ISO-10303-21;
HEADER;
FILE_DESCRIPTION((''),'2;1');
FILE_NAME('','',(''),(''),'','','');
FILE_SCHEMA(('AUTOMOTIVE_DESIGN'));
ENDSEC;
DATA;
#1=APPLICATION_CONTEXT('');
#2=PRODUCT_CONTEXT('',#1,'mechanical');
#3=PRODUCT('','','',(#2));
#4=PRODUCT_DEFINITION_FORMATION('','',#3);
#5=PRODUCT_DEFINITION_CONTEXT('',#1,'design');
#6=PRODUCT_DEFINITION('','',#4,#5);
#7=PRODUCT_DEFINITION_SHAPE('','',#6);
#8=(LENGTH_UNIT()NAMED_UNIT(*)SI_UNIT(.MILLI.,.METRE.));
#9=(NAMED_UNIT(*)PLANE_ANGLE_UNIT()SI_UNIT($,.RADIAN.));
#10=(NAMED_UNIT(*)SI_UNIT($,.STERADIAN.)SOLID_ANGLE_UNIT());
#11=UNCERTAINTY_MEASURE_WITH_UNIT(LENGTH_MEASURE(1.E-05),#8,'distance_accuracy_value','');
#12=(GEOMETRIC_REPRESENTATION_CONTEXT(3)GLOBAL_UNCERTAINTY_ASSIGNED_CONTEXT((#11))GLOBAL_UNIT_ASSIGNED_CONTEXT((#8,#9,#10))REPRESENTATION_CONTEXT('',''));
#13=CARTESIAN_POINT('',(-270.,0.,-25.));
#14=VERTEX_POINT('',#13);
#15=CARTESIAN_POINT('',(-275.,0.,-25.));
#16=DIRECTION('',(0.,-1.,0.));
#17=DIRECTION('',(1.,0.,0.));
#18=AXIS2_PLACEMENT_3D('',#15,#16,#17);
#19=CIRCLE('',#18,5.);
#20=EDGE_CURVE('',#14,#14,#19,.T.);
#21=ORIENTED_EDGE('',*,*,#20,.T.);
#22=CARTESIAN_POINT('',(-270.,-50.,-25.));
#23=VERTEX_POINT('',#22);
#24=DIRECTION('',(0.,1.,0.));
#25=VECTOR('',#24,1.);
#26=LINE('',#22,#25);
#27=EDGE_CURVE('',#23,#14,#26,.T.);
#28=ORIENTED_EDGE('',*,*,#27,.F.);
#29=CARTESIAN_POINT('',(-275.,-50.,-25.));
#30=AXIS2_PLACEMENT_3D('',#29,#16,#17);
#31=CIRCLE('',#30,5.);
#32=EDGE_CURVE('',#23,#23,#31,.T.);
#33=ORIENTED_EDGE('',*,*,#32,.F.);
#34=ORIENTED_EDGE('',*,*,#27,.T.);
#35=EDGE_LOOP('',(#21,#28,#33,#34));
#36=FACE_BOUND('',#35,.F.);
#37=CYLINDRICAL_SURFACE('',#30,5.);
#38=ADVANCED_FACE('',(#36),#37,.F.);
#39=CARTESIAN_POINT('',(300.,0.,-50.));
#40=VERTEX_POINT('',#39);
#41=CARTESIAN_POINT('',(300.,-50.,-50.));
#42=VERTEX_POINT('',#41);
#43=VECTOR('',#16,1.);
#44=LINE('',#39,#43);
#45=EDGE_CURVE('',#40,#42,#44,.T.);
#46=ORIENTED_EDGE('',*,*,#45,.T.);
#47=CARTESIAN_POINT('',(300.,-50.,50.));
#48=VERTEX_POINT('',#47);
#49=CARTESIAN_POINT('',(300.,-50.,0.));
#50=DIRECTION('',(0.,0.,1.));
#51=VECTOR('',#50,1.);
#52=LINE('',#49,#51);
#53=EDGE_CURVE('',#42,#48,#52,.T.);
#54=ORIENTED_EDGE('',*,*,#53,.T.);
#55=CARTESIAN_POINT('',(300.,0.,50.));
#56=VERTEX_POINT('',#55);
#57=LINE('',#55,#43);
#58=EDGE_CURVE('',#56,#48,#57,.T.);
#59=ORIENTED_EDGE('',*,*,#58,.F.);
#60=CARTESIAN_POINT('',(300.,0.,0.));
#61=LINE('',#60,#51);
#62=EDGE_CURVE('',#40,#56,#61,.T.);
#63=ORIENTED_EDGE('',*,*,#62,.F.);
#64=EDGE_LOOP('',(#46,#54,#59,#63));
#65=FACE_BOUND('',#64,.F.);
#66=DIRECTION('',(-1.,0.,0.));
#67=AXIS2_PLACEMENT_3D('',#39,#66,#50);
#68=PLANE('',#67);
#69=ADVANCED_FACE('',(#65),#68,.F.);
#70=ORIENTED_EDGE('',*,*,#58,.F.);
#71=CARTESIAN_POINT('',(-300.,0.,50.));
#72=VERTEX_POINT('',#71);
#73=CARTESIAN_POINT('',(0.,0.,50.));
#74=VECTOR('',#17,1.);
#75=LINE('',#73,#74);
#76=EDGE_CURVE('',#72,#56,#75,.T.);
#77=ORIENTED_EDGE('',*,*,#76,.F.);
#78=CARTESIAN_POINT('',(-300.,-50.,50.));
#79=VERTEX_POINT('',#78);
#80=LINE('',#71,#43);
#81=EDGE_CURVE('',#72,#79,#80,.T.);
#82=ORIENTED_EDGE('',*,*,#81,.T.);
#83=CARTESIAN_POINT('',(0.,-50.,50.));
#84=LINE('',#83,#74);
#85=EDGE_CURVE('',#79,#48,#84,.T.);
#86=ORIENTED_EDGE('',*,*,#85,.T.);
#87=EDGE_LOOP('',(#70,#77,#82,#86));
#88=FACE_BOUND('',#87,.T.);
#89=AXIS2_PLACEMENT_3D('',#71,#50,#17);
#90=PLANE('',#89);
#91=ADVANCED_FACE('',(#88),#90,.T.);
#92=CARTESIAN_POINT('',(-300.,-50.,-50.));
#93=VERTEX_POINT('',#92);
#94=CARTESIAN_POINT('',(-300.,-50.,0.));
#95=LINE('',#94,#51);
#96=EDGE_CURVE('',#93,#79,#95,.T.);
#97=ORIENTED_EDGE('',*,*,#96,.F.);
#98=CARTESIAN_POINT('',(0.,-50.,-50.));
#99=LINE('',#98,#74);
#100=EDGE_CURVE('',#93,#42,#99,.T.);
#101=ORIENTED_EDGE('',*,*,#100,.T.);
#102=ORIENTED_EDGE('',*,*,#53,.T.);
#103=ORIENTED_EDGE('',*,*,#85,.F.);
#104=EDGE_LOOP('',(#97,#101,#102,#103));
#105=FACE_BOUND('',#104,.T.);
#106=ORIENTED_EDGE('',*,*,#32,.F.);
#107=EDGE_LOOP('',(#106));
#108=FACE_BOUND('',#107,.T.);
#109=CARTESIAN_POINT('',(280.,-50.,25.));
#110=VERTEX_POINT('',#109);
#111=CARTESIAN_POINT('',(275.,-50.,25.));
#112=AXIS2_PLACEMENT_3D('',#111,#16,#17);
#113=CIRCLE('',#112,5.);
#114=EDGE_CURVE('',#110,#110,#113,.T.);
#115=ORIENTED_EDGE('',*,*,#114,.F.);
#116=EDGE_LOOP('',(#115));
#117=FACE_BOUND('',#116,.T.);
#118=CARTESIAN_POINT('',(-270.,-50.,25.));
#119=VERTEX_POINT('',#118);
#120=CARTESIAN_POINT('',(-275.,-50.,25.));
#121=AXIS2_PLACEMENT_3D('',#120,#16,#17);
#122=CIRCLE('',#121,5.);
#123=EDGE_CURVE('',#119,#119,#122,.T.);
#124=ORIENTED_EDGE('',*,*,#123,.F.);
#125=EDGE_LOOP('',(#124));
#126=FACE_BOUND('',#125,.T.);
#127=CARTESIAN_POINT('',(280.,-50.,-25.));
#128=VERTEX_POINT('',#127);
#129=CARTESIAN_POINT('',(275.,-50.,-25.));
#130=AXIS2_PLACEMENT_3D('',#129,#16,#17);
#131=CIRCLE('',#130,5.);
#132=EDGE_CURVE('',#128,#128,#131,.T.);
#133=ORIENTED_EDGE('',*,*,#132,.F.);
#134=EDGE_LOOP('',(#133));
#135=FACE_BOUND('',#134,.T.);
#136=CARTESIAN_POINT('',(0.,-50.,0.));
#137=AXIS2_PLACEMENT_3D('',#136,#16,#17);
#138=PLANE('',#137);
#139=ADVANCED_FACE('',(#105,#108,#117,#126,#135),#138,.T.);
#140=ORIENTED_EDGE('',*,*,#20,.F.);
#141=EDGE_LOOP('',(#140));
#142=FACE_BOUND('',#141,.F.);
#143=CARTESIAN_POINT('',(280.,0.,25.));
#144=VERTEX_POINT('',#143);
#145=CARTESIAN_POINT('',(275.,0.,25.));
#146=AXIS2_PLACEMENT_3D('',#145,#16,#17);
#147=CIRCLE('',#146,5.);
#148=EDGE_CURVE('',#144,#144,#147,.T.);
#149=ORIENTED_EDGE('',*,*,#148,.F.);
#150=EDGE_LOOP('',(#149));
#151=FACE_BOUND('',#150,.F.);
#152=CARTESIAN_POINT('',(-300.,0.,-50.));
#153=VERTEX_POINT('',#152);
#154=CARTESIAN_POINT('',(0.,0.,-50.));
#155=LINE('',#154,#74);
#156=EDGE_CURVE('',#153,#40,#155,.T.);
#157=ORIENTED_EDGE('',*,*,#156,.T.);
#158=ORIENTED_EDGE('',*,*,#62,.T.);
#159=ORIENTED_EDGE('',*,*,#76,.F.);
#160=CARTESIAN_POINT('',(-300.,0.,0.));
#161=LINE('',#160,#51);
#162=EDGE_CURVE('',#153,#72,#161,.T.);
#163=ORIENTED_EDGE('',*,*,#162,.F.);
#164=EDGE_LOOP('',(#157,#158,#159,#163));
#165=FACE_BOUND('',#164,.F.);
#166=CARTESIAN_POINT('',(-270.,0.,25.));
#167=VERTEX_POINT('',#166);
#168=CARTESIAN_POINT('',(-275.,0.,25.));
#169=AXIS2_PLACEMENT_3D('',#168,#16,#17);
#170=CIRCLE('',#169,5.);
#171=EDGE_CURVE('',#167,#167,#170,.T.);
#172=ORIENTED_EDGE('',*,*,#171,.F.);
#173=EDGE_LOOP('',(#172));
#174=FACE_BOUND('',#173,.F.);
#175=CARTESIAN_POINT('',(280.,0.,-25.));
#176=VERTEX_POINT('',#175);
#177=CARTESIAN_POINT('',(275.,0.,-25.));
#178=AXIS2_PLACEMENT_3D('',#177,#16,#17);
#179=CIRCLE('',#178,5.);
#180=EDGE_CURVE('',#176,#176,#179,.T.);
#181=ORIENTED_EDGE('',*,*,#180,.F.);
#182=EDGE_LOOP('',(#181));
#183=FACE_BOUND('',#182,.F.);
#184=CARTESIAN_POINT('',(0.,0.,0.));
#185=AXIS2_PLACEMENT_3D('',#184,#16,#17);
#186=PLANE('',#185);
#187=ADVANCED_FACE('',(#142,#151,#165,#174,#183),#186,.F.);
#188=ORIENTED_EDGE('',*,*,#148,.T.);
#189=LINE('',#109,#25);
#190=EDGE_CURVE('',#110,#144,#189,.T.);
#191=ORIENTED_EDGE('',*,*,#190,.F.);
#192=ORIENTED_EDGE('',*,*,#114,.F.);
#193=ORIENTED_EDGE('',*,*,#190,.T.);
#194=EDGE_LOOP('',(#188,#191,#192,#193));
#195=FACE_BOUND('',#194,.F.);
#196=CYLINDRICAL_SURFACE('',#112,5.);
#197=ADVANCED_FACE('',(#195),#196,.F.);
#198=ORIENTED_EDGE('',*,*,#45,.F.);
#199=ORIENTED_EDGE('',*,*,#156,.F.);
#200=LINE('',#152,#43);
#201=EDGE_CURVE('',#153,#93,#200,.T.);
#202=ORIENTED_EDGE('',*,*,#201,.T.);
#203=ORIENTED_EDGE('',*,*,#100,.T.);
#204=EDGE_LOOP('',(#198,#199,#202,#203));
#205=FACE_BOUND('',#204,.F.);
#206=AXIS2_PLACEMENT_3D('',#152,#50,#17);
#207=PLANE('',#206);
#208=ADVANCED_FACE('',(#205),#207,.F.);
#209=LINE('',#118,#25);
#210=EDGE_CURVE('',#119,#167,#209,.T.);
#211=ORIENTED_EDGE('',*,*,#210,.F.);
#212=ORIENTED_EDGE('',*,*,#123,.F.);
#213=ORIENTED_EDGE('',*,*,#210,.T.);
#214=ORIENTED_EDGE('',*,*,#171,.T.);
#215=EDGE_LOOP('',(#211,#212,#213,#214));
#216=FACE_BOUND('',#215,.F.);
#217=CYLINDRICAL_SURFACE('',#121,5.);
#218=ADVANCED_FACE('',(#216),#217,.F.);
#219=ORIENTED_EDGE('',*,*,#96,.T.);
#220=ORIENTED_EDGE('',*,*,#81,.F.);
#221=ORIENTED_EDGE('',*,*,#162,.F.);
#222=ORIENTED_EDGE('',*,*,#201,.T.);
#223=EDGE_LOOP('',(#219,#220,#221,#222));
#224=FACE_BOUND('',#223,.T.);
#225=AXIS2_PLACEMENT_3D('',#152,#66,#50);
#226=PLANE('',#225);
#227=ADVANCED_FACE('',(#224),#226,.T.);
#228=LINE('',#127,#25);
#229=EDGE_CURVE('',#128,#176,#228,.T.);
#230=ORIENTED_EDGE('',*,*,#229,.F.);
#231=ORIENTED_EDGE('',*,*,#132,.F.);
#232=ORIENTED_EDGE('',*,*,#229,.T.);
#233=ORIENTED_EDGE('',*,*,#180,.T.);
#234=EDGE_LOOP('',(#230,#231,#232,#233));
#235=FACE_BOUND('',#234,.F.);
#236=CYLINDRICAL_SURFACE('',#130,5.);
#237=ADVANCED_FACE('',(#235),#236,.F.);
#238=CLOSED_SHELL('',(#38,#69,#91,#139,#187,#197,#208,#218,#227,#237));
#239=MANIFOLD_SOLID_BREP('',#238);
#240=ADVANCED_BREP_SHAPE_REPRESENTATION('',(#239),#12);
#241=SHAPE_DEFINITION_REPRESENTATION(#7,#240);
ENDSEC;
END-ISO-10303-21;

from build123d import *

# Parameters (mm, degrees)
F0_W     = 600
F0_H     = 100
F1_DEPTH = 50
F2_R     = 5
F3_DEPTH = 50.001


with BuildPart() as f1:
    # F0 (on Front) → F1 (new body)
    with BuildSketch(Plane.XZ):
        Rectangle(F0_W, F0_H)
    extrude(amount=F1_DEPTH)

    # F2 (on face) → F3 (cut, through all)
    with BuildSketch(Plane.XZ.offset(50)):
        with Locations((-275, 25)):
            Circle(F2_R)
        with Locations((-275, -25)):
            Circle(F2_R)
        with Locations((275, 25)):
            Circle(F2_R)
        with Locations((275, -25)):
            Circle(F2_R)
    extrude(amount=-F3_DEPTH, mode=Mode.SUBTRACT)


solid = f1.part
